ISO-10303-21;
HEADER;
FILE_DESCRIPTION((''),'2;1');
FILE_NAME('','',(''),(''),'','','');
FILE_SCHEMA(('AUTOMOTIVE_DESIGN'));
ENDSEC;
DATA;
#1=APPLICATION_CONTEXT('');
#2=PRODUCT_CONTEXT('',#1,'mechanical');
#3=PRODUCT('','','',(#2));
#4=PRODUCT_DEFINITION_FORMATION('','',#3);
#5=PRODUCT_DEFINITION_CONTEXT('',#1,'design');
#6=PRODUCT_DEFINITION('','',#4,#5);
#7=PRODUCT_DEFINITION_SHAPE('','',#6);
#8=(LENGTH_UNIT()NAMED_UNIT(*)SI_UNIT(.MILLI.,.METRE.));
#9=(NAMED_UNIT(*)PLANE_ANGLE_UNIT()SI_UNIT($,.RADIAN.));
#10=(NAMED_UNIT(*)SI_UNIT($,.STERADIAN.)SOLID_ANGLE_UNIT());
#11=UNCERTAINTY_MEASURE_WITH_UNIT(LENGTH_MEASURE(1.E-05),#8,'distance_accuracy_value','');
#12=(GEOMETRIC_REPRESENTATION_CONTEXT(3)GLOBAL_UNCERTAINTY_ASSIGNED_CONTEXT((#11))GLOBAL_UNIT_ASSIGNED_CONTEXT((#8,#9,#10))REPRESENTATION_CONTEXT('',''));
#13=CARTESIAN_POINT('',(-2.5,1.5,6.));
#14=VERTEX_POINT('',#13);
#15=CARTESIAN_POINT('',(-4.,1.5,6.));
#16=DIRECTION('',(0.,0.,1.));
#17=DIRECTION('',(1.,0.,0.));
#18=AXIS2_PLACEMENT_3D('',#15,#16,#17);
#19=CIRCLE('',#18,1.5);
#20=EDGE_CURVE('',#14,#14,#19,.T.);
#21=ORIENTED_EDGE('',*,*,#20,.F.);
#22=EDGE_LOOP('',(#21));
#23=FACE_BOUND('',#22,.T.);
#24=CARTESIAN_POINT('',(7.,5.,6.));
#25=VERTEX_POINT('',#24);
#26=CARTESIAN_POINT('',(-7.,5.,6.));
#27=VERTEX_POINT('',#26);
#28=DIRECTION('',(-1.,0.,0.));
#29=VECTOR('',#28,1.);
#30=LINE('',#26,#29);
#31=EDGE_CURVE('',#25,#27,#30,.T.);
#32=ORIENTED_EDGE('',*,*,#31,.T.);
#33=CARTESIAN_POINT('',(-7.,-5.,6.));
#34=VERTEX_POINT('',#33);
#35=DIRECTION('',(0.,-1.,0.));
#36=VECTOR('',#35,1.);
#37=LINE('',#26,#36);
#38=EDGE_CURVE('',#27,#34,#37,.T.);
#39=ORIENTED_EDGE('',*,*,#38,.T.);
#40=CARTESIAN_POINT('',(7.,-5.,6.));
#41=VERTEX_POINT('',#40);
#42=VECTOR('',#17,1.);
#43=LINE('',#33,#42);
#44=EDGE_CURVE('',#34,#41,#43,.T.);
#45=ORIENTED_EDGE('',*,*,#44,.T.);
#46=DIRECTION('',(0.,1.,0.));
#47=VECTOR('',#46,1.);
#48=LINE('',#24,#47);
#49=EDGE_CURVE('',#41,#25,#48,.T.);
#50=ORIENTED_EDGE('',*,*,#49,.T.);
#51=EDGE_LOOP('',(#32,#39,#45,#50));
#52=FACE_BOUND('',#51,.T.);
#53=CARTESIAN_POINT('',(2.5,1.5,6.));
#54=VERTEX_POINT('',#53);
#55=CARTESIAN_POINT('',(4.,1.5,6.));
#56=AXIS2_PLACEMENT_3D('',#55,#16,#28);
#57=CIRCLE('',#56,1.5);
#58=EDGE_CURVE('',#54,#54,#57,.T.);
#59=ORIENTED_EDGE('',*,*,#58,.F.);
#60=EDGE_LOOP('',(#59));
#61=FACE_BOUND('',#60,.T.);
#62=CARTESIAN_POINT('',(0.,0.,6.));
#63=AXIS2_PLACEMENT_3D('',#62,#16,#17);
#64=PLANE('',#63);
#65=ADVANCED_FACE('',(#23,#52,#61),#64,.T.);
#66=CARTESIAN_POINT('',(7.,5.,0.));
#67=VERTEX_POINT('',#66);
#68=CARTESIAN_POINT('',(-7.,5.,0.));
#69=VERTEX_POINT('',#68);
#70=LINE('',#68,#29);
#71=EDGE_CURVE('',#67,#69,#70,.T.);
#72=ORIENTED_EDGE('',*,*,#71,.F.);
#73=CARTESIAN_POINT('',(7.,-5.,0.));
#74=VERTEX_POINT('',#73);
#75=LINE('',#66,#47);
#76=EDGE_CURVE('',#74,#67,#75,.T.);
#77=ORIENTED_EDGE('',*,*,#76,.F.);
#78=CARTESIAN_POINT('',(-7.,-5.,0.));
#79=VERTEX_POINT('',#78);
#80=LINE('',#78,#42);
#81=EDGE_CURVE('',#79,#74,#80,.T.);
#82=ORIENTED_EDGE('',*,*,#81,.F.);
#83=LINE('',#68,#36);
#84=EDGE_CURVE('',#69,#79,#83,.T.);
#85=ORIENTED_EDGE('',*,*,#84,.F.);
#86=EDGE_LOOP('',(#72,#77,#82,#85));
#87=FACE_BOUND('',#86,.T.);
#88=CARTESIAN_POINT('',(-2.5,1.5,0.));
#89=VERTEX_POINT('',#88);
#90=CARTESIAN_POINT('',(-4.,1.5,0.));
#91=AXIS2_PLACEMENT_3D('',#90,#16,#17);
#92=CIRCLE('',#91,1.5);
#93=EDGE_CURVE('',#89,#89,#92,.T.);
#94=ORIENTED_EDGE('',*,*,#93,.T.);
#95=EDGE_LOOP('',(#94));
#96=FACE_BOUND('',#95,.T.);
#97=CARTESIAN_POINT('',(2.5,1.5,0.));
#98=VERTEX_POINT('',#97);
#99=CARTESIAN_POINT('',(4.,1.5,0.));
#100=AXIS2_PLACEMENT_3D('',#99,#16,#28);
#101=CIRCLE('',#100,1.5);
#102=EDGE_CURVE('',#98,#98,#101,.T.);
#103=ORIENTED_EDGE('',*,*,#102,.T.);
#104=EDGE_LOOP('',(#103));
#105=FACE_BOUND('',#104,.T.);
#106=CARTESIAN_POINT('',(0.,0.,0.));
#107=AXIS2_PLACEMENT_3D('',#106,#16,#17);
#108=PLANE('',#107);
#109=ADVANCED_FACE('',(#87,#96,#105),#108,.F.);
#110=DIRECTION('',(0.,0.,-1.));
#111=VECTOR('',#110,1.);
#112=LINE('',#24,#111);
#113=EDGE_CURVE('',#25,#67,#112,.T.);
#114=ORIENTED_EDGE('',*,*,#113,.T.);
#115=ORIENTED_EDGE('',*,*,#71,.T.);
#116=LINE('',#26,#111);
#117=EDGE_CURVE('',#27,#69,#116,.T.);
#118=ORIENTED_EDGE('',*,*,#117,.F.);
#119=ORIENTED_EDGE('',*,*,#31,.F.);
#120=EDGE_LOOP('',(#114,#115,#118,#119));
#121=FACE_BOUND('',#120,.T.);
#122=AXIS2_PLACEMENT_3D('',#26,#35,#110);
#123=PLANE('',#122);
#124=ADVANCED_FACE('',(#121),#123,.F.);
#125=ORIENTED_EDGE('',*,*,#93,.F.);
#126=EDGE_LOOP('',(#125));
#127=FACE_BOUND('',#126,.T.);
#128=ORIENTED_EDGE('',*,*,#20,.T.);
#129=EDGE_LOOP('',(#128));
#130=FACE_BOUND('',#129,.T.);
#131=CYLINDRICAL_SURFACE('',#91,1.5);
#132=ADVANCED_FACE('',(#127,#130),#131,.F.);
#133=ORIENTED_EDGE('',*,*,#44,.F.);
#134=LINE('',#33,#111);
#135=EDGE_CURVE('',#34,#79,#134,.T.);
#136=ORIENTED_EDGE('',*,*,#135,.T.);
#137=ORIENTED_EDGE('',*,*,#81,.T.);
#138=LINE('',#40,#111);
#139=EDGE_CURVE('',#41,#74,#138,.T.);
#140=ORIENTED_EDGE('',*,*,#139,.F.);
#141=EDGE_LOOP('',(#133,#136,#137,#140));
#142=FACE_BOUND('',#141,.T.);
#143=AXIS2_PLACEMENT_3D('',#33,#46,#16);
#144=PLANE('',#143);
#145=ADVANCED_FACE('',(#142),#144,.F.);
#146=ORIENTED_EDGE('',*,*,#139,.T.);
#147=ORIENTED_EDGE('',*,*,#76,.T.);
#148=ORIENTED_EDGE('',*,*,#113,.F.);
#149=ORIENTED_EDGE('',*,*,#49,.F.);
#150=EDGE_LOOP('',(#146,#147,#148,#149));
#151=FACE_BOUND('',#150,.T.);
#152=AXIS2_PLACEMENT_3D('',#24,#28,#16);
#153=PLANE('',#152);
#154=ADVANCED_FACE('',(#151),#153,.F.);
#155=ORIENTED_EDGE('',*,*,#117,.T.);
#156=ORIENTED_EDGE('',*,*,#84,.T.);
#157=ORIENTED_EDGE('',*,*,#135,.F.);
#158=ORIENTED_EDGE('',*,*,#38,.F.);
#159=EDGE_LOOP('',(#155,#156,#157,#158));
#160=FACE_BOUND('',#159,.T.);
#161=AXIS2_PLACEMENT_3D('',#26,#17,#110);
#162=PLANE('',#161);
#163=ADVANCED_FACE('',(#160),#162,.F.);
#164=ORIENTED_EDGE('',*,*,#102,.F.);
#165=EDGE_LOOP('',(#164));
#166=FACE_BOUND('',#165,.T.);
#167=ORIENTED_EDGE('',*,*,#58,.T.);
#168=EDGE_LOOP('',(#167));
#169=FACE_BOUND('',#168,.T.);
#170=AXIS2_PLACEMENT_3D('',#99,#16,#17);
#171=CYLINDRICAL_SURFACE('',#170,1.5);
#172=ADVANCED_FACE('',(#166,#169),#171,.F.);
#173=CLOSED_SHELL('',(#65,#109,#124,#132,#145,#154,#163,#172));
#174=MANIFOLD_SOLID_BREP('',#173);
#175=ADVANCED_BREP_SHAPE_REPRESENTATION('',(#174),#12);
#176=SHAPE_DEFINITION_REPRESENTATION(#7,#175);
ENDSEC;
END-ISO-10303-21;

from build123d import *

# Parameters (mm, degrees)
SKETCH_1_W          = 14
SKETCH_1_H          = 10
EXTRUDE_1_DEPTH     = 6
SKETCH_3_R          = 1.5
CUT_EXTRUDE_1_DEPTH = 11.488088482


with BuildPart() as part:
    # 草图1 → 凸台-拉伸1 (new body)
    with BuildSketch(Plane.XY):
        Rectangle(SKETCH_1_W, SKETCH_1_H)
    extrude(amount=EXTRUDE_1_DEPTH)

    # 草图3 → 切除-拉伸1 (cut, through all)
    with BuildSketch(Plane.XY.offset(6)):
        with Locations((-4, 1.5)):
            Circle(SKETCH_3_R)
        with Locations(Location((4, 1.5, 0), (0, 0, 180))):
            Circle(SKETCH_3_R)
    extrude(amount=-CUT_EXTRUDE_1_DEPTH, mode=Mode.SUBTRACT)


solid = part.part
